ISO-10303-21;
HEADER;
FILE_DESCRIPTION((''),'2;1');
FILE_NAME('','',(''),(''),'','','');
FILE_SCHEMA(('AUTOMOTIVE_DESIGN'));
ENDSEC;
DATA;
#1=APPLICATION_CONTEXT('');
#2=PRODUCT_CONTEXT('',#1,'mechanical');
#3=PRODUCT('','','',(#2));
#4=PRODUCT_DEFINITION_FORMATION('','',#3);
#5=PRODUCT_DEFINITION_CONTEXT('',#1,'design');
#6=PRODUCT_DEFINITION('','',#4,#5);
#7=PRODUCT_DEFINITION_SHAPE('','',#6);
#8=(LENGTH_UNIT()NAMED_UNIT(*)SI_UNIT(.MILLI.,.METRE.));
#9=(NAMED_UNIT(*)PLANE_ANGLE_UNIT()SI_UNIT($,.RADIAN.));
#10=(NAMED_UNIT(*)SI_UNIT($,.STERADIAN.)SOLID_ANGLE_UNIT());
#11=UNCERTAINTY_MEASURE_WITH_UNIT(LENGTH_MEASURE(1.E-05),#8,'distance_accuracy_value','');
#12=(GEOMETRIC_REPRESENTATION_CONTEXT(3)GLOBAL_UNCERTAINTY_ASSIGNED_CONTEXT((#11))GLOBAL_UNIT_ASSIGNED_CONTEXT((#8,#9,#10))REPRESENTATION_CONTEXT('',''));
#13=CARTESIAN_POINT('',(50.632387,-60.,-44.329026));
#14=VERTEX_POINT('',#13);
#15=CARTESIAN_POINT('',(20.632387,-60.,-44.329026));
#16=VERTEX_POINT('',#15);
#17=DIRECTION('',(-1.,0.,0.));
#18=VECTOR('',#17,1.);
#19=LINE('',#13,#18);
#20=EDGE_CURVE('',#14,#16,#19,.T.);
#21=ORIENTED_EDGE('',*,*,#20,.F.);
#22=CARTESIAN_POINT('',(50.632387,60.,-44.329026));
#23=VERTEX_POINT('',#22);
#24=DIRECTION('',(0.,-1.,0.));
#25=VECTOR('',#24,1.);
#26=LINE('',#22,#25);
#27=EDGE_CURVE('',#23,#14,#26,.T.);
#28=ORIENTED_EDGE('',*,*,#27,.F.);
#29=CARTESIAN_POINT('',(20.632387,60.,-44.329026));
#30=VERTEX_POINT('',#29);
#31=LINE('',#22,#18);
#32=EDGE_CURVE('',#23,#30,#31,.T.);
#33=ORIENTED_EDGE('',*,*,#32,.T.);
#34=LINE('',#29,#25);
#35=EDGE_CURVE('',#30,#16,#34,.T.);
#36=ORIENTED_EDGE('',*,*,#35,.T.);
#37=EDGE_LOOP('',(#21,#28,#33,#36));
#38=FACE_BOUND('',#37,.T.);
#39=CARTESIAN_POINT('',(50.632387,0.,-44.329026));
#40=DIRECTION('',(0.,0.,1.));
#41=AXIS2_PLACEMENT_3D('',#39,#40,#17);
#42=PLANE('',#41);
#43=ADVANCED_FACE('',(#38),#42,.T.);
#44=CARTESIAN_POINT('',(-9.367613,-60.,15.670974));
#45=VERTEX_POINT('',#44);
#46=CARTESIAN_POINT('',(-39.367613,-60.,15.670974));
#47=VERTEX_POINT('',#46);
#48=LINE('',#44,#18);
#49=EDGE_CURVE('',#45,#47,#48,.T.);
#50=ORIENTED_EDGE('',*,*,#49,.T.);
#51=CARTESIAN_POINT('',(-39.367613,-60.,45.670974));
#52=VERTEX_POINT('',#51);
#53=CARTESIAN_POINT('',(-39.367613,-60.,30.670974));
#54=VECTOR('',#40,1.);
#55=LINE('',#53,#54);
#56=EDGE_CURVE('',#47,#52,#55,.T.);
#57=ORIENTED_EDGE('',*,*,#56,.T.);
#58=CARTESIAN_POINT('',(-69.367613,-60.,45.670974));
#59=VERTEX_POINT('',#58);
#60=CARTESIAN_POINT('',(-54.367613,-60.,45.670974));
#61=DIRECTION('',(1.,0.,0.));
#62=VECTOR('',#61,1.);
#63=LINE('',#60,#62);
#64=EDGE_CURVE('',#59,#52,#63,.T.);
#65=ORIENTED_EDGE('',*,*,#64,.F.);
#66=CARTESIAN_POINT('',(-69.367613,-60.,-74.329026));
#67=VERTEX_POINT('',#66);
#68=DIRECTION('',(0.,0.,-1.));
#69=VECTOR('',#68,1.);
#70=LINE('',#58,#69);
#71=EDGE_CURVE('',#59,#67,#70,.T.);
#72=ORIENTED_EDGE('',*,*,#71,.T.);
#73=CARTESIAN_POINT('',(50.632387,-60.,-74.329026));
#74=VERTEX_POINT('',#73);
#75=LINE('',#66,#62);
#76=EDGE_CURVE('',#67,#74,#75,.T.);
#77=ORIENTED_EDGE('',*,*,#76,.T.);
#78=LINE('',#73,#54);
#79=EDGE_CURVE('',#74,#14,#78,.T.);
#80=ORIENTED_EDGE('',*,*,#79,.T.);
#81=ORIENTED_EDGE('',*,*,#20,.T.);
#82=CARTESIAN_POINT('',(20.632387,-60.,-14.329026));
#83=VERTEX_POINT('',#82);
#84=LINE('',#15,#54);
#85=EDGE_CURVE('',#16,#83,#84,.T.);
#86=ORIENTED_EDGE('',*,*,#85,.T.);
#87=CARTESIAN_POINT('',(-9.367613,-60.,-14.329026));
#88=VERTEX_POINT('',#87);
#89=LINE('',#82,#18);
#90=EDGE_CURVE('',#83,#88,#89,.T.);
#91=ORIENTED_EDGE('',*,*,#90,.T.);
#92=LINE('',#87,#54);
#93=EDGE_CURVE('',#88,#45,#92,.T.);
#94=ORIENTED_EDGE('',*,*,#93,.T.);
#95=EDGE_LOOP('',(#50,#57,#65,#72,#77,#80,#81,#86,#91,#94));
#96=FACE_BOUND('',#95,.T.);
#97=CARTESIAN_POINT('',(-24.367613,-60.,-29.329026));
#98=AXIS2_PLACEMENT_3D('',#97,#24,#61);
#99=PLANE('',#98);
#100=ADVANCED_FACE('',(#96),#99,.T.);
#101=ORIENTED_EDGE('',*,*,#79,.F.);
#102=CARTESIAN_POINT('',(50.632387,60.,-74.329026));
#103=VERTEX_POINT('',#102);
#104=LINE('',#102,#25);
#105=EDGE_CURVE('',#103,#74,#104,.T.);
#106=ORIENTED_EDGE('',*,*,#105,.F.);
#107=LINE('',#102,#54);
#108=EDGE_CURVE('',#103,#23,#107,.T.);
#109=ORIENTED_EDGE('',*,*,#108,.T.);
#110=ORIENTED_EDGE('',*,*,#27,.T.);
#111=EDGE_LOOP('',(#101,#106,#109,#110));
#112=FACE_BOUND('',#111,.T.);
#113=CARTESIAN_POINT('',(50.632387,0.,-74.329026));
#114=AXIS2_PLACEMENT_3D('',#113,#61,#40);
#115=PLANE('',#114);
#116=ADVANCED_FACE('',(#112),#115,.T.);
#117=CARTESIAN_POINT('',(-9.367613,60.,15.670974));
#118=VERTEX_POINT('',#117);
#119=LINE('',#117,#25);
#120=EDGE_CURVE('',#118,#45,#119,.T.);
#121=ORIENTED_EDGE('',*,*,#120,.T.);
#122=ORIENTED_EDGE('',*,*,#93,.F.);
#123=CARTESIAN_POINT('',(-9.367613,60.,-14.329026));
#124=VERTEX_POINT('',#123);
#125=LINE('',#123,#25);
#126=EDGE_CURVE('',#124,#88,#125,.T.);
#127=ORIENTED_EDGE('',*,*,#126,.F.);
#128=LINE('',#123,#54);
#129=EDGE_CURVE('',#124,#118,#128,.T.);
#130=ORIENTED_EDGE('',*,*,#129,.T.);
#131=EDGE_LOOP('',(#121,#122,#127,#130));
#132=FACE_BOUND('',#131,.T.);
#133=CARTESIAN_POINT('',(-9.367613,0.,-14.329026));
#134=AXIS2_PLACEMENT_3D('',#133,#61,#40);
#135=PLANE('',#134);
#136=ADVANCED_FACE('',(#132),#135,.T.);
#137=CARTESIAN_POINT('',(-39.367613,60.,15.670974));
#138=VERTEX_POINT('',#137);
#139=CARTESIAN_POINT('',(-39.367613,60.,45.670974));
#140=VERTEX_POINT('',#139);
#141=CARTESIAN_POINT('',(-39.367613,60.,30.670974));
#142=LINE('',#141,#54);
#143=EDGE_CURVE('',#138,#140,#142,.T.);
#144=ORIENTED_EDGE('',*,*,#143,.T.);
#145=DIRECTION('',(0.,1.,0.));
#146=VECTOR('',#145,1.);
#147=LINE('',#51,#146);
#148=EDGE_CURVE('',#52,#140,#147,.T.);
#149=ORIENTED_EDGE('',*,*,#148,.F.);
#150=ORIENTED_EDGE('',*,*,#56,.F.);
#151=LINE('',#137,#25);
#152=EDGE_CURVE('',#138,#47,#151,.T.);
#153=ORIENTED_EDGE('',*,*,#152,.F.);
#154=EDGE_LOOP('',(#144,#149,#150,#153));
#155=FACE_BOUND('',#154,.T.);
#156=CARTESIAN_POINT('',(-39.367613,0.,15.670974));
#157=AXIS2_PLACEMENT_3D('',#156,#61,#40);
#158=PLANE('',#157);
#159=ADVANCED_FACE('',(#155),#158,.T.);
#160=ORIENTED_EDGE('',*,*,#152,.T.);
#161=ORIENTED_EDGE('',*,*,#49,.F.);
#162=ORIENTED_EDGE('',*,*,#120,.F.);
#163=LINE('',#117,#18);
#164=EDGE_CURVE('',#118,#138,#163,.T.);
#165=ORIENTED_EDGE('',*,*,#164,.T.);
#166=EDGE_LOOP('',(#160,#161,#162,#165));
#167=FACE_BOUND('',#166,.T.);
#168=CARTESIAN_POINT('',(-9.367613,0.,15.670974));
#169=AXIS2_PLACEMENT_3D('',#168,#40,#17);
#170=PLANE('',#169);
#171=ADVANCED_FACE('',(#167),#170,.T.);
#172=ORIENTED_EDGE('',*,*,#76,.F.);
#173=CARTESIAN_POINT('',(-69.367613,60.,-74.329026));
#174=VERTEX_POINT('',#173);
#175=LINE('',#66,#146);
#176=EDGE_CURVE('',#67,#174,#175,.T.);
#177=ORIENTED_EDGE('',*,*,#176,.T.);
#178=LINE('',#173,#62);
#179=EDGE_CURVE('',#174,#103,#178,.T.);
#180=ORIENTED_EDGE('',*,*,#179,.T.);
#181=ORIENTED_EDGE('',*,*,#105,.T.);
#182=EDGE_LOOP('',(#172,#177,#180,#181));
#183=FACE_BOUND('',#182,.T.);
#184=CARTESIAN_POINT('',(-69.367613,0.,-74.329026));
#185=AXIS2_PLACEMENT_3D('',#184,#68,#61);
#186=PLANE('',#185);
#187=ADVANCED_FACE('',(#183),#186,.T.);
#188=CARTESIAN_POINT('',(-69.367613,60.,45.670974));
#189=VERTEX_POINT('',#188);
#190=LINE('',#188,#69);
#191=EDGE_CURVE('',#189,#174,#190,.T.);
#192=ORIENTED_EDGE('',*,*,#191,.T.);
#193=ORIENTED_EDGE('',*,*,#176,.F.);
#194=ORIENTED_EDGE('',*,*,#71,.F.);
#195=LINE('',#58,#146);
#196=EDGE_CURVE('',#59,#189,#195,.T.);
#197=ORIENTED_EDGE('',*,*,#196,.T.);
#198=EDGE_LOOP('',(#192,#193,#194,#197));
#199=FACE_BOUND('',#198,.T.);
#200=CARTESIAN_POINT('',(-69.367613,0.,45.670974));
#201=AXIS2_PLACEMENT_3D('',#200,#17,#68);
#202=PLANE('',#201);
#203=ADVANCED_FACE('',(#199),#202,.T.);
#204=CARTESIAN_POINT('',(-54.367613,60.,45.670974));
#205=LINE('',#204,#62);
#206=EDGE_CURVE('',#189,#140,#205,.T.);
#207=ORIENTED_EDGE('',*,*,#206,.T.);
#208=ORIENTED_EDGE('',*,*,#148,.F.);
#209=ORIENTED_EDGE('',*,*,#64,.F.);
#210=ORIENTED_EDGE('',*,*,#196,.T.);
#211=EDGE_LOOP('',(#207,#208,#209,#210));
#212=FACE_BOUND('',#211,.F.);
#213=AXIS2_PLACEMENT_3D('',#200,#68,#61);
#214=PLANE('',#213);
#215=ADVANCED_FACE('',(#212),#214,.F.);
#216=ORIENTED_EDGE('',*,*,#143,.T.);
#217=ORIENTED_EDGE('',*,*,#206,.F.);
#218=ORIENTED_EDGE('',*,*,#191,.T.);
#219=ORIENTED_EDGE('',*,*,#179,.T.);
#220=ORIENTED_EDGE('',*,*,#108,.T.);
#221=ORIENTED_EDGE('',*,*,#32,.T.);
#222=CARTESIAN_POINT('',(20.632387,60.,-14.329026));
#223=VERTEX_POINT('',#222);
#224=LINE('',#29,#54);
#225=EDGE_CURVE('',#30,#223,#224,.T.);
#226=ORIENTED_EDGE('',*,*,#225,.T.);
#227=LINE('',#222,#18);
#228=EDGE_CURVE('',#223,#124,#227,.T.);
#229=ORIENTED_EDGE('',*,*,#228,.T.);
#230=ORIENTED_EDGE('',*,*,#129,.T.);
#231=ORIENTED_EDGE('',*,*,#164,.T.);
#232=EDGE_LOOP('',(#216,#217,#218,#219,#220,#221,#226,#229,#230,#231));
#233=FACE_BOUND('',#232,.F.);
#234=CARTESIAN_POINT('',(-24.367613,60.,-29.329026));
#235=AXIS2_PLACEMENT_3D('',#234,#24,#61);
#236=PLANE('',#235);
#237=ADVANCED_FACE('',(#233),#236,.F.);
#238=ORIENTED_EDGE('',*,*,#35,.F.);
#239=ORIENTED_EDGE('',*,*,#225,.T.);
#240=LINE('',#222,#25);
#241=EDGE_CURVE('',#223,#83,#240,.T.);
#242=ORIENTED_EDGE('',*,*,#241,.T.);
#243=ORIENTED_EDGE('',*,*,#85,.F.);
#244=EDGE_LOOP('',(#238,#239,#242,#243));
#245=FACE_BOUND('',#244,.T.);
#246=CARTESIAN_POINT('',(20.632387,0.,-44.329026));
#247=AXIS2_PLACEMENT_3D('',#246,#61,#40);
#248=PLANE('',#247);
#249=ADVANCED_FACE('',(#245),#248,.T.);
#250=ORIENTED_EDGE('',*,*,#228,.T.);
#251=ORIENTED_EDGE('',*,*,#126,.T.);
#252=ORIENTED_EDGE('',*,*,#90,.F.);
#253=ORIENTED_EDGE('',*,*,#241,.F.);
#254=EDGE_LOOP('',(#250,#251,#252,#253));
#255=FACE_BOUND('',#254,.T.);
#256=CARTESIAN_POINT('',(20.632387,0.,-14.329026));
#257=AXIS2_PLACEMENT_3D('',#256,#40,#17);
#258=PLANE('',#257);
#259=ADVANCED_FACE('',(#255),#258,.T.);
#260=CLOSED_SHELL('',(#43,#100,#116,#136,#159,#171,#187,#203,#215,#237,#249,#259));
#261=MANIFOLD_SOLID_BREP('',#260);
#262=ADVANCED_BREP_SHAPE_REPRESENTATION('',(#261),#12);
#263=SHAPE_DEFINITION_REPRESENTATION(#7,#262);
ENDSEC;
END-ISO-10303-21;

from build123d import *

# Parameters (mm, degrees)
F0_W     = 30
F0_H     = 30
F1_DEPTH = 60


with BuildPart() as f1:
    # F0 (on Front) → F1 (new body, symmetric)
    with BuildSketch(Plane.XZ):
        Polygon((-69.367613, -14.329026), (-69.367613, -44.329026), (20.632387, -44.329026), (20.632387, -14.329026), (-9.367613, -14.329026), align=None)
        Polygon((20.632387, -44.329026), (-69.367613, -44.329026), (-69.367613, -74.329026), (50.632387, -74.329026), (50.632387, -44.329026), align=None)
        Polygon((-69.367613, 15.670974), (-69.367613, -14.329026), (-9.367613, -14.329026), (-9.367613, 15.670974), (-39.367613, 15.670974), align=None)
        with Locations((-54.367613, 30.670974)):
            Rectangle(F0_W, F0_H)
    extrude(amount=F1_DEPTH, both=True)


solid = f1.part
